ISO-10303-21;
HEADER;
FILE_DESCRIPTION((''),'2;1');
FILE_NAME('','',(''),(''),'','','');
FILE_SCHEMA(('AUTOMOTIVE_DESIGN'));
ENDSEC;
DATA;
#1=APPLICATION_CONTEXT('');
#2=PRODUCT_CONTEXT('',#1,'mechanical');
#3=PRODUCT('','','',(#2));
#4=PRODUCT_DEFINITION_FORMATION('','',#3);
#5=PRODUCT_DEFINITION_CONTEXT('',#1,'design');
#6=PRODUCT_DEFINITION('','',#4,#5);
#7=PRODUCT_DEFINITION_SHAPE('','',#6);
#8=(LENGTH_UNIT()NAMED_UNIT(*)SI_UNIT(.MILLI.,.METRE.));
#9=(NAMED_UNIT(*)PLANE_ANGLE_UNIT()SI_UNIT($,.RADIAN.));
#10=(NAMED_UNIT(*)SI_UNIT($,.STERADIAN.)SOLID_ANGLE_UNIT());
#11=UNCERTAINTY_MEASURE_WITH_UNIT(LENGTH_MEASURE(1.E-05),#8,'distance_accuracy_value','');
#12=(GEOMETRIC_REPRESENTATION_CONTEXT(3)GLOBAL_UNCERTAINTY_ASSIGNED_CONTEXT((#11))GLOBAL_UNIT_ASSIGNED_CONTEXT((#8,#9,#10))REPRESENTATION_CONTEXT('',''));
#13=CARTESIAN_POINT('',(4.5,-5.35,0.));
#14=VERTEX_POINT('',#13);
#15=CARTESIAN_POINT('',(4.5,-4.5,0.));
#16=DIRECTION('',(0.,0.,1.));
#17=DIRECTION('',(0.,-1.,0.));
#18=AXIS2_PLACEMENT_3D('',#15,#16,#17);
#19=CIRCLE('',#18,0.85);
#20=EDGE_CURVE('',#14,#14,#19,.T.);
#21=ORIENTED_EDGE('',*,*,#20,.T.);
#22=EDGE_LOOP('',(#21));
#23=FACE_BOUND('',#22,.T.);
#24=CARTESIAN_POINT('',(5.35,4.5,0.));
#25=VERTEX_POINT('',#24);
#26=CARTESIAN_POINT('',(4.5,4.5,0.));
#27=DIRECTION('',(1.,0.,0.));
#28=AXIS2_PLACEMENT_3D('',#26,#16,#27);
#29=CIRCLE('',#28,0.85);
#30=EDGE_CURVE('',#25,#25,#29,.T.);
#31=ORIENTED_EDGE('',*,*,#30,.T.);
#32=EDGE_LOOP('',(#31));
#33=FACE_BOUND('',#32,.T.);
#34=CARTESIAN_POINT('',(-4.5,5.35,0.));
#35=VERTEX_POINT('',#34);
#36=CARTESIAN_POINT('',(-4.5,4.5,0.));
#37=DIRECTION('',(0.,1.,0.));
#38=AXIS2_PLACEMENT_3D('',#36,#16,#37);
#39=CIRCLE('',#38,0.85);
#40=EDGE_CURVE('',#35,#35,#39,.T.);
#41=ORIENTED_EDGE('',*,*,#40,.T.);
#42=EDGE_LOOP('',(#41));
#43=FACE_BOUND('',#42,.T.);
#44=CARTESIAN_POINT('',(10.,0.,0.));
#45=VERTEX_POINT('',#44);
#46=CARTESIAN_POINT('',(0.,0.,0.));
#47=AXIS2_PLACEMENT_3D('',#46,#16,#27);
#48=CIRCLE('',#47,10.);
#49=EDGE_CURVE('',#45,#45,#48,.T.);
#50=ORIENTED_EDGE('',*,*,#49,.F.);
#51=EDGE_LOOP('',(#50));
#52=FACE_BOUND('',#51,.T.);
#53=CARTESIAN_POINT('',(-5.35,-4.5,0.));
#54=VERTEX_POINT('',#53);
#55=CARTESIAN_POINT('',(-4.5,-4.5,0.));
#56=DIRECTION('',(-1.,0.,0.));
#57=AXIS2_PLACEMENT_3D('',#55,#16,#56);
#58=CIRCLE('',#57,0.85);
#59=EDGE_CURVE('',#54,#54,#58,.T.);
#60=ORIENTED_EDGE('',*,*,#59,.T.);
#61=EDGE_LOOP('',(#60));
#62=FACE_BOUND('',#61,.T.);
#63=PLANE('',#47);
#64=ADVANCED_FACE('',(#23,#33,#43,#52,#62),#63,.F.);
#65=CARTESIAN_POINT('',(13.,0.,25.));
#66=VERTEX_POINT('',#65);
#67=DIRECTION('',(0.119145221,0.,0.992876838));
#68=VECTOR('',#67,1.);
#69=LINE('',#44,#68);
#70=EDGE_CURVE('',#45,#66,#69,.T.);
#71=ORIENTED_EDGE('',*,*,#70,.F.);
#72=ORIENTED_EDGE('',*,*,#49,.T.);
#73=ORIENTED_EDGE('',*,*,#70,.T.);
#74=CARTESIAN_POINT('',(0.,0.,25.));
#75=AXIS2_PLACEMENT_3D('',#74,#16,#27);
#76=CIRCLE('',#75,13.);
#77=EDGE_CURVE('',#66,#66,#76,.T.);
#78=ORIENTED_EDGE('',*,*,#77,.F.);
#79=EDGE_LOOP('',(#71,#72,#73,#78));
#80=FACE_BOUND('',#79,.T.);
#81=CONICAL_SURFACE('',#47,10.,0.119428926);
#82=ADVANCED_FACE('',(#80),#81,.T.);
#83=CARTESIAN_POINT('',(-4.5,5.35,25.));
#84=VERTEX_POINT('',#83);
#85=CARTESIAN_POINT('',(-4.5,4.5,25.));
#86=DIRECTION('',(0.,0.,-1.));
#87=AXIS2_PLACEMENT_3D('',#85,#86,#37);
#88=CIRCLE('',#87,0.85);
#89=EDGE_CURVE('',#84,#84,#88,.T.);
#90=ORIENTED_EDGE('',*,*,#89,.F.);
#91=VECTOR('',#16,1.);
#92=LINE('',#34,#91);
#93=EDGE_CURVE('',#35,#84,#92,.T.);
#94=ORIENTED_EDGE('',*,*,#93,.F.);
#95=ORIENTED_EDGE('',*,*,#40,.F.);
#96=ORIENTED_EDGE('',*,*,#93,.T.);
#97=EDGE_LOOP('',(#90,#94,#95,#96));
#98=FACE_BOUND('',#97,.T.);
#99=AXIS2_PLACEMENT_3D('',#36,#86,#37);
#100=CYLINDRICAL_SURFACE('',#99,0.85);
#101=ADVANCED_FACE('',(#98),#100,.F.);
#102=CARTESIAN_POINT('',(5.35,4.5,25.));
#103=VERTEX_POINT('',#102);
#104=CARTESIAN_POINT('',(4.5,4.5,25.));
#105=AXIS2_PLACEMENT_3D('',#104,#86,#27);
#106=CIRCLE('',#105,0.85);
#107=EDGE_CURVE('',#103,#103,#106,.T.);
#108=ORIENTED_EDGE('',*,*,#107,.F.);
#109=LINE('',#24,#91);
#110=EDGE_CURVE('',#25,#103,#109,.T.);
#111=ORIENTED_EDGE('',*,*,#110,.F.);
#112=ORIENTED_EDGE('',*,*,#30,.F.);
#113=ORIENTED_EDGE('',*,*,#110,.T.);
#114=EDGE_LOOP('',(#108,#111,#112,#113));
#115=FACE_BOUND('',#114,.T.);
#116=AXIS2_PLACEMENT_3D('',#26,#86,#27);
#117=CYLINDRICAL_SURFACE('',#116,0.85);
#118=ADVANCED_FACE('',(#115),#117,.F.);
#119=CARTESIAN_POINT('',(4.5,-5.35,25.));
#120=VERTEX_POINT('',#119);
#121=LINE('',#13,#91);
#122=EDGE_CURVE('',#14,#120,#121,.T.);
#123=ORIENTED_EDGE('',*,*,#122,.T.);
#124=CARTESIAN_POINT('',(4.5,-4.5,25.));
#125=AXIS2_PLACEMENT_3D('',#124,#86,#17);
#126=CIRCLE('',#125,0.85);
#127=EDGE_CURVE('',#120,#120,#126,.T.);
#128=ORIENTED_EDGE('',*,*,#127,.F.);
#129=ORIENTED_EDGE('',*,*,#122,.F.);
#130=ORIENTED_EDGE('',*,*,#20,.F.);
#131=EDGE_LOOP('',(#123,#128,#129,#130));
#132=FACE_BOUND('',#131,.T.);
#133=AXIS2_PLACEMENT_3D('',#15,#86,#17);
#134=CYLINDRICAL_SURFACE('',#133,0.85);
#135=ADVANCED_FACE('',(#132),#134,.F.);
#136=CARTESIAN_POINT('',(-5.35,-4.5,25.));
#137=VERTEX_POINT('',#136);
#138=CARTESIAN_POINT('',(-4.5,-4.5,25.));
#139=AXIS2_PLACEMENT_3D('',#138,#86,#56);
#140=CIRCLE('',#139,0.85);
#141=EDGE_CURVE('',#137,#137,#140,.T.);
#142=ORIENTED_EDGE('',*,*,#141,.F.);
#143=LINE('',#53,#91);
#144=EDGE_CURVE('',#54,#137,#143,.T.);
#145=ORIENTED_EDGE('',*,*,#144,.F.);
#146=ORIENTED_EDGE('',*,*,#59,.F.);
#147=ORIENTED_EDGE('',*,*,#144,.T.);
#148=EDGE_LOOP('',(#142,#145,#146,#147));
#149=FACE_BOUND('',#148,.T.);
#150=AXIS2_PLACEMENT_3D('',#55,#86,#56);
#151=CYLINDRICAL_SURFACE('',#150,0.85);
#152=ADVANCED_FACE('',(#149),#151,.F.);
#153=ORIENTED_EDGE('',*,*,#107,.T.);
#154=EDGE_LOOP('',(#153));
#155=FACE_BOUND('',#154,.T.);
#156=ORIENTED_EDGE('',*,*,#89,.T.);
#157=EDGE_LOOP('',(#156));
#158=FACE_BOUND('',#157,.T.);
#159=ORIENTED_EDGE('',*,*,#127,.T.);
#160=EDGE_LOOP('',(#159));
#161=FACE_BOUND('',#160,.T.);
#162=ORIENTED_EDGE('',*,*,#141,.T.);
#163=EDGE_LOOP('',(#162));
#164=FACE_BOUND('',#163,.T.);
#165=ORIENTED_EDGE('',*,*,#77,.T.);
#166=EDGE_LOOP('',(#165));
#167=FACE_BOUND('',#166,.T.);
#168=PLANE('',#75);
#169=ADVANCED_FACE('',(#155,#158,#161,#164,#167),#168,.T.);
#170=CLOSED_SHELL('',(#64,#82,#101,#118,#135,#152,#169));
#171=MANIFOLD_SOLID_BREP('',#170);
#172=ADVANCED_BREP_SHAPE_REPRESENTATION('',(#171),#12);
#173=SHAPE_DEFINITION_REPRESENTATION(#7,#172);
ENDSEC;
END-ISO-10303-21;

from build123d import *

# Parameters (mm, degrees)
CYLINDER001_R      = 0.85
CYLINDER001_DEPTH  = 50
POLARPATTERN_COUNT = 4


with BuildPart() as part:
    # Cone → Cone (revolve)
    with BuildSketch(Plane.XZ):
        Polygon((0, 0), (10, 0), (13, 25), (0, 25), align=None)
    revolve(axis=Axis((0, 0, 0), (0, 0, 1)))

    # Cylinder001 → Cylinder001 (cut)
    with BuildSketch(Plane(origin=(4.5, 4.5, 0), x_dir=(1, 0, 0), z_dir=(0, 0, 1))):
        Circle(CYLINDER001_R)
    cylinder001 = extrude(amount=CYLINDER001_DEPTH, mode=Mode.SUBTRACT)

    # PolarPattern: Cylinder001 ×4 about axis
    polarpattern_axis = Axis((0, 0, 0), (0, 0, 1))
    for i in range(1, POLARPATTERN_COUNT):
        add(cylinder001.rotate(polarpattern_axis, i * 360 / POLARPATTERN_COUNT), mode=Mode.SUBTRACT)


solid = part.part
